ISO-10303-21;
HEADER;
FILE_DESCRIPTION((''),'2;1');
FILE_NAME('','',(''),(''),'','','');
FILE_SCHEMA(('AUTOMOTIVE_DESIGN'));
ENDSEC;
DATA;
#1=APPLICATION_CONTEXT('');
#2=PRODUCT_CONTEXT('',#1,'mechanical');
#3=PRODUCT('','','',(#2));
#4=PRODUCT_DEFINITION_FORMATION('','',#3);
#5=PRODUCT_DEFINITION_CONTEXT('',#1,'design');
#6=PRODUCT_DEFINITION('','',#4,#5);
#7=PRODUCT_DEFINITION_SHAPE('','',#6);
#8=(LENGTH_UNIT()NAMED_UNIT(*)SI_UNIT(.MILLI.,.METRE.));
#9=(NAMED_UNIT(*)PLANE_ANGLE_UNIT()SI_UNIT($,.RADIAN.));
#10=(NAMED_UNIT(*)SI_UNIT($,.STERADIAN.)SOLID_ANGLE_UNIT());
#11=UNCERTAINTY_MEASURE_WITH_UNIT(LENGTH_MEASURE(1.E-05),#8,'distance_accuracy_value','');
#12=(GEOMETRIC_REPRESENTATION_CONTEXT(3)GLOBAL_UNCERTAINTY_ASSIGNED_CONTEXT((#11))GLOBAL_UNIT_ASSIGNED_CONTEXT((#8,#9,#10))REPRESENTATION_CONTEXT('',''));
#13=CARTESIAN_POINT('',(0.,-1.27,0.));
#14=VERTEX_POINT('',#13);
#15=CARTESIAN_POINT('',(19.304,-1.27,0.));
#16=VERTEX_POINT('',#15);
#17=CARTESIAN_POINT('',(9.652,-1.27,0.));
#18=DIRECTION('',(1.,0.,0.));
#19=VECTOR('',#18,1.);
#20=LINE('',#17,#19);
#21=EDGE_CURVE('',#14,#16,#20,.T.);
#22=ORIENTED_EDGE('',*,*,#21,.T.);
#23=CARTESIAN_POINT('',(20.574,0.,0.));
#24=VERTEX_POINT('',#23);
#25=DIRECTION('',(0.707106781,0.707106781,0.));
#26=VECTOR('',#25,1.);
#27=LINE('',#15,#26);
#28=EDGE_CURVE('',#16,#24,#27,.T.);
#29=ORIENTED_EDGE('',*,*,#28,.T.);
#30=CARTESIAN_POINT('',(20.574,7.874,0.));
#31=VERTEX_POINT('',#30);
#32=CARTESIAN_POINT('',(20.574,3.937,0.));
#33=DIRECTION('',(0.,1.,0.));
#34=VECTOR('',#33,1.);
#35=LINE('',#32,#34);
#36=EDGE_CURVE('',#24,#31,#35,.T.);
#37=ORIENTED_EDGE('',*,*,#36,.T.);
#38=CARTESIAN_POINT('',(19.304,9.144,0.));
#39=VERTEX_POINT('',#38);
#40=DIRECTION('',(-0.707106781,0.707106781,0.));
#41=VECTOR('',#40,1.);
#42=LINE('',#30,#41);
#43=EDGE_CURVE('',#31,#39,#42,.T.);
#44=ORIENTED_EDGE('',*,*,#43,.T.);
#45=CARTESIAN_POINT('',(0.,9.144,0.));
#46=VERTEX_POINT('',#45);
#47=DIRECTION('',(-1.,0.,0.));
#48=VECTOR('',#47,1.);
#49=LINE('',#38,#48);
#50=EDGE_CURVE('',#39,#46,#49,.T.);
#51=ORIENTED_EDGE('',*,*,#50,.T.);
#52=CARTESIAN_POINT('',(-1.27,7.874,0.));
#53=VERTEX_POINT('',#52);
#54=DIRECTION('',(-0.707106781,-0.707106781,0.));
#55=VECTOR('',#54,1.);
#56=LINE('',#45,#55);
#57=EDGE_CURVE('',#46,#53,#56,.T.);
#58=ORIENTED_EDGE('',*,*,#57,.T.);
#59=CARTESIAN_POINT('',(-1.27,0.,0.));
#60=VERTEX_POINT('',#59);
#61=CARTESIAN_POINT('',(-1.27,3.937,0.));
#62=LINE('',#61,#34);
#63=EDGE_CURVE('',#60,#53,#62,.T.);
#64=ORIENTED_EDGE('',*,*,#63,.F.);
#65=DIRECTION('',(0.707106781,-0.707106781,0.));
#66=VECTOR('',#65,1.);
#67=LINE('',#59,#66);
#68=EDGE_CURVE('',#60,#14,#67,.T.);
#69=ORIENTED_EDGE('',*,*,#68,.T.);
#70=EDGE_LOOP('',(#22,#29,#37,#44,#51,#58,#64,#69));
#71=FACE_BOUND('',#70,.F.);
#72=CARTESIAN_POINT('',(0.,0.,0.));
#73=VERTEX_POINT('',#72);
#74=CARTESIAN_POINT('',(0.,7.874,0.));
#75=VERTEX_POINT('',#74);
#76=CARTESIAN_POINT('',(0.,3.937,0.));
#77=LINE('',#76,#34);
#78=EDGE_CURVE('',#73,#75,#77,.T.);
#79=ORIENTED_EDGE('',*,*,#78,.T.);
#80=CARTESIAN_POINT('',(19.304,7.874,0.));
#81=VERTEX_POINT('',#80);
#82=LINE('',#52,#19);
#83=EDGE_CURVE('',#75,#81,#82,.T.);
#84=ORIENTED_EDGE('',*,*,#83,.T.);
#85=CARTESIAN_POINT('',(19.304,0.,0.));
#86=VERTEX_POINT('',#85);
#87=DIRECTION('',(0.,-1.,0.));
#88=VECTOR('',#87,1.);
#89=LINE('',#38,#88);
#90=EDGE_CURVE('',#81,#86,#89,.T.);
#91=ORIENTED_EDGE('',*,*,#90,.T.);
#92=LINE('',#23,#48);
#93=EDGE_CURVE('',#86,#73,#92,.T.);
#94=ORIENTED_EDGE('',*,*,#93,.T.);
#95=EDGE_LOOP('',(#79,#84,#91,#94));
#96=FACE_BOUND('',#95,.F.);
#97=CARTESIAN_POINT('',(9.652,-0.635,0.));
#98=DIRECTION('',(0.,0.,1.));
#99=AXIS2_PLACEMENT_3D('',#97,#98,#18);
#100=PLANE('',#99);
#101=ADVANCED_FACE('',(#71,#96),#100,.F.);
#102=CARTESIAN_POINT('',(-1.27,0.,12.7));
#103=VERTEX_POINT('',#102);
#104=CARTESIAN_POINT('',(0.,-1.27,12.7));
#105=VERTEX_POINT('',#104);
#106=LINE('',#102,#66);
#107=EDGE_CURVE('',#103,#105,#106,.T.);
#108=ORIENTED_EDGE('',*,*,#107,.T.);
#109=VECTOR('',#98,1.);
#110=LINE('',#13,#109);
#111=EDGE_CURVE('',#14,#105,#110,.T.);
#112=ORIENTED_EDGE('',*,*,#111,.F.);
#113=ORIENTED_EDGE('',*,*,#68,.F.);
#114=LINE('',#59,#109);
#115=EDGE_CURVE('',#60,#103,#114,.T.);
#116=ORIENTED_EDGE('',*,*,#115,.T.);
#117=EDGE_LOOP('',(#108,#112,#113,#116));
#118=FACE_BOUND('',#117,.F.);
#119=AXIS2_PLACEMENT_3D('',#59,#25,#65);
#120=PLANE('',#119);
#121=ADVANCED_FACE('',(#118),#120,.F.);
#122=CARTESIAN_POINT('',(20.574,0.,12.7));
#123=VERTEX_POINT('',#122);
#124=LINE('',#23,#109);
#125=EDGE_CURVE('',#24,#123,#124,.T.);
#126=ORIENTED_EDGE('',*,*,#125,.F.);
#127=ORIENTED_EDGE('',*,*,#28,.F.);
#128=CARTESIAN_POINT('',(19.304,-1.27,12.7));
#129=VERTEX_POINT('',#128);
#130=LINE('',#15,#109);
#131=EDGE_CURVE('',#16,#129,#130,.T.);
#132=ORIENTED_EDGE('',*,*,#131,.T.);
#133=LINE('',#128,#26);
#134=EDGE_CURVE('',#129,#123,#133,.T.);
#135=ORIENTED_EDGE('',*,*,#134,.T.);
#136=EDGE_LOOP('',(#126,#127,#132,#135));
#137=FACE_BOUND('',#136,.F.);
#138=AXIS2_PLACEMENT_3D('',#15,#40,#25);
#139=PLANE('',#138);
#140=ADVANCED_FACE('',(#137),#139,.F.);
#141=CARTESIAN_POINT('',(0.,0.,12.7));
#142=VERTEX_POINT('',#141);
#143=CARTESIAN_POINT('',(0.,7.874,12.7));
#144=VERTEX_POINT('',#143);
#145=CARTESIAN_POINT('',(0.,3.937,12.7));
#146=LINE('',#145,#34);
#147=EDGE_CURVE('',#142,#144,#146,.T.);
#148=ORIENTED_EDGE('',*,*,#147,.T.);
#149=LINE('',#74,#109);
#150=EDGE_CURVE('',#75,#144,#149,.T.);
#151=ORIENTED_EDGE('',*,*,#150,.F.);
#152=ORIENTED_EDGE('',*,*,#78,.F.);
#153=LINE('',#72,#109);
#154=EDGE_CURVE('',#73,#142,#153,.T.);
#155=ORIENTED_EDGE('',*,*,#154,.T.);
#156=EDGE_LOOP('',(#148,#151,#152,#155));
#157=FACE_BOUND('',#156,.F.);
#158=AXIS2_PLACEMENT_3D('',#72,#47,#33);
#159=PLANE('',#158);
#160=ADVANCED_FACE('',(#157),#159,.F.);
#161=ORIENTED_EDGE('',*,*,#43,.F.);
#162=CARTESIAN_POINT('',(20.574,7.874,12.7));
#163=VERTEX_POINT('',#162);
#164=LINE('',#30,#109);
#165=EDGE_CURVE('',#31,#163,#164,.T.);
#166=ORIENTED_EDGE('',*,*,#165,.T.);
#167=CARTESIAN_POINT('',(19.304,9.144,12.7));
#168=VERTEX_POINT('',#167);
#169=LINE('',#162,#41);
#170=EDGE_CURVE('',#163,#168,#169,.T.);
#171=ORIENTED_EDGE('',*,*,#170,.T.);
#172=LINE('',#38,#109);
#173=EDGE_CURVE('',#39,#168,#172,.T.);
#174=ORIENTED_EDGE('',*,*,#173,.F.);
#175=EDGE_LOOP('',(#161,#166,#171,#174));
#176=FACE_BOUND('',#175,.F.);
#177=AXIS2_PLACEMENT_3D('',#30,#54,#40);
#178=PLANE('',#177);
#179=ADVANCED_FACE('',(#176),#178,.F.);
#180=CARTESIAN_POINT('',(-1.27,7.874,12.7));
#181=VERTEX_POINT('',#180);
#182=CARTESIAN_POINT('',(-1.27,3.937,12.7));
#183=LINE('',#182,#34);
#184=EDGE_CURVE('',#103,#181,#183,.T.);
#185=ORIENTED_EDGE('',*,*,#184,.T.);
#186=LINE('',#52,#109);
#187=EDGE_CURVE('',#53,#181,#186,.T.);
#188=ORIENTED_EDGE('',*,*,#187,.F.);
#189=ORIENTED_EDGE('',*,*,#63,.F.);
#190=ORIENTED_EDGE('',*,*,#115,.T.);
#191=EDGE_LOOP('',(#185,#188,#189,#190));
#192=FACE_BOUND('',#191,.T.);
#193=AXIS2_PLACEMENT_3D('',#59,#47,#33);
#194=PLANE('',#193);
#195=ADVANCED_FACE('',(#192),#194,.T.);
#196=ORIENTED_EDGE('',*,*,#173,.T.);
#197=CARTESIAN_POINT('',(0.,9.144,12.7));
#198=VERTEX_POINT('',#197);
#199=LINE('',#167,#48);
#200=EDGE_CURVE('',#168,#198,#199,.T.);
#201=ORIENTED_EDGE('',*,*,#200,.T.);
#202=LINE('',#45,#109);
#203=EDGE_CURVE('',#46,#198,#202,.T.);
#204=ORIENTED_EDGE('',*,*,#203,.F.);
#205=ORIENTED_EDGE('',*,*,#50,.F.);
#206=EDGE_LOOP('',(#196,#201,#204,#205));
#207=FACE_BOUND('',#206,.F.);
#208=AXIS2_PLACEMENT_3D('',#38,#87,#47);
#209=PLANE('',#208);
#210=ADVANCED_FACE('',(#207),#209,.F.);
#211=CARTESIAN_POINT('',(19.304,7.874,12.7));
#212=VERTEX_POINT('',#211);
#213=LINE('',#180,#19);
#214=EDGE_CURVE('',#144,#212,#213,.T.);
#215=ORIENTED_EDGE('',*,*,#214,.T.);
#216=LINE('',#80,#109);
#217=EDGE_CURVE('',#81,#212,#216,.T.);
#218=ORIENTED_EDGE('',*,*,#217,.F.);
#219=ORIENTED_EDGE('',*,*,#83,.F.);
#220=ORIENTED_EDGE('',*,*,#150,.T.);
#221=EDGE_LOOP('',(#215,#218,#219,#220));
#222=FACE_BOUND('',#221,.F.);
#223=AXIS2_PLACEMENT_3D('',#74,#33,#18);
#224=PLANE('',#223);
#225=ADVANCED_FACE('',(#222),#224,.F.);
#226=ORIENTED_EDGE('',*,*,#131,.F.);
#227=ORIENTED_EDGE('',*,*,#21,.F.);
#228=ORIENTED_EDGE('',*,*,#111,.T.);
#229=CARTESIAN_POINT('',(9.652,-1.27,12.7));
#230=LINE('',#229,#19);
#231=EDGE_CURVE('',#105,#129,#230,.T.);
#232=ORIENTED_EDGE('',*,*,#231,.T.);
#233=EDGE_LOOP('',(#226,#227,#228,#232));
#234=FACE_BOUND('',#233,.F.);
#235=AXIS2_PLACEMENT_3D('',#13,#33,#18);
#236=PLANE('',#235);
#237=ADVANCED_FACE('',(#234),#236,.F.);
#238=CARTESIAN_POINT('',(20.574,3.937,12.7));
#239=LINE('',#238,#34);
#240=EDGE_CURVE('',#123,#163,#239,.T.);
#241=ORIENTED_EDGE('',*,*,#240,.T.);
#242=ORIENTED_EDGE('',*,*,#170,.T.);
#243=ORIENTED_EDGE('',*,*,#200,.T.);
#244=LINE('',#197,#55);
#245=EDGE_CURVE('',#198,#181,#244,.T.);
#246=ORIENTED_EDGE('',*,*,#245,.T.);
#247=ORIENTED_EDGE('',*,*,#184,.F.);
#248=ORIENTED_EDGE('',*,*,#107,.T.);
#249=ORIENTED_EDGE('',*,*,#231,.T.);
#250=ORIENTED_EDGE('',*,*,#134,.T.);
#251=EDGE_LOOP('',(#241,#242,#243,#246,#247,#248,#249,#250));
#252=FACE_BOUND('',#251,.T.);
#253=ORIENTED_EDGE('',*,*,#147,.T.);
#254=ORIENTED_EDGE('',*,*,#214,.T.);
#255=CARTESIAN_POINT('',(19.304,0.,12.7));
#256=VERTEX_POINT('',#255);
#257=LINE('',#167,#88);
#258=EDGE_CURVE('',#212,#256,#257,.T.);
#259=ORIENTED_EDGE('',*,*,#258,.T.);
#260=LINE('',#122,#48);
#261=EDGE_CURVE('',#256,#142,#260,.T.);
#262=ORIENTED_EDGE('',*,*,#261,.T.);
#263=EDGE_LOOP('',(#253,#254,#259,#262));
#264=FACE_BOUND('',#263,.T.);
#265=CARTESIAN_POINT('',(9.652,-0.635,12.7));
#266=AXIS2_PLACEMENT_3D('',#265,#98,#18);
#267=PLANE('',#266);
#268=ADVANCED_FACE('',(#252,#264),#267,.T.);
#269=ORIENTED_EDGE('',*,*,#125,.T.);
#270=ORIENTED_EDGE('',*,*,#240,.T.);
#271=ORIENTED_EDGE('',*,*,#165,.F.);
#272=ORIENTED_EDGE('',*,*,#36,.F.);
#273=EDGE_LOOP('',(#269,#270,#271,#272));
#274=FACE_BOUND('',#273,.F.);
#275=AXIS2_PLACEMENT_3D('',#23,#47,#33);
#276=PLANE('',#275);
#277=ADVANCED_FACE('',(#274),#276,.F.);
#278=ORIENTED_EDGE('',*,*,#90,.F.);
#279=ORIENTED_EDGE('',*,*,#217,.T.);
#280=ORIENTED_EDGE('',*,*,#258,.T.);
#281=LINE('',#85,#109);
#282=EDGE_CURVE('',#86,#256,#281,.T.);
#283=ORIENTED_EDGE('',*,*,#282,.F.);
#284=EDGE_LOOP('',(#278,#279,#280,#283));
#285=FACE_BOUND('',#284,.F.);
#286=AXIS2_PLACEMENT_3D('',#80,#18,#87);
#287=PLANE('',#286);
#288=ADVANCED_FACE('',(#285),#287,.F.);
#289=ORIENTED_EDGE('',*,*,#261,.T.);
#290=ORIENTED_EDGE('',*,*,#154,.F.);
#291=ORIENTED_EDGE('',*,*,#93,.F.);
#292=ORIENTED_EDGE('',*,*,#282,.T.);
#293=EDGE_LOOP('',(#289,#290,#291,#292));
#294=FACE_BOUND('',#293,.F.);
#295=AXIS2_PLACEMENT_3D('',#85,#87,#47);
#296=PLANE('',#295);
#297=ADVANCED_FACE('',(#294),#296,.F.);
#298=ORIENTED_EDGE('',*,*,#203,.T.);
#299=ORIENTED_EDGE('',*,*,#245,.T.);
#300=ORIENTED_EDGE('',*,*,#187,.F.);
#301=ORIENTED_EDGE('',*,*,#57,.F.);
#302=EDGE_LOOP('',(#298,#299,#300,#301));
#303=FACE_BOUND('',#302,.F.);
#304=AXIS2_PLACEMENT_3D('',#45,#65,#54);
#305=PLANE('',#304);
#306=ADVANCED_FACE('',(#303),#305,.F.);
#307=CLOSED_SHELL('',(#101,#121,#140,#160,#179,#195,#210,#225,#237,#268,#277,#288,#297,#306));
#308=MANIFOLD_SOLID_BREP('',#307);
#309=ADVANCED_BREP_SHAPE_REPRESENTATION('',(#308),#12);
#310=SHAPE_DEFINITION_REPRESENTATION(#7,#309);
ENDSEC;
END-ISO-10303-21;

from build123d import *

# Parameters (mm, degrees)
F0_W     = 19.304
F0_H     = 1.27
F0_W_2   = 1.27
F0_H_2   = 7.874
F0_W_3   = 12.5374141614
F0_W_4   = 6.7665858386
F1_DEPTH = 12.7
F2_DEPTH = 12.7


with BuildPart() as f1:
    # F0 (on Top) → F1 (new body)
    with BuildSketch(Plane.XY):
        with Locations((9.652, -0.635)):
            Rectangle(F0_W, F0_H)
        Polygon((20.574, 0), (19.304, 0), (19.304, -1.27), align=None)
        with Locations((19.939, 3.937)):
            Rectangle(F0_W_2, F0_H_2)
        Polygon((19.304, 9.144), (19.304, 7.874), (20.574, 7.874), align=None)
        with Locations((13.0352929193, 8.509)):
            Rectangle(F0_W_3, F0_H)
        with Locations((3.3832929193, 8.509)):
            Rectangle(F0_W_4, F0_H)
        Polygon((-1.27, 7.874), (0, 7.874), (0, 9.144), align=None)
        with Locations((-0.635, 3.937)):
            Rectangle(F0_W_2, F0_H_2)
        Polygon((0, -1.27), (0, 0), (-1.27, 0), align=None)
    extrude(amount=F1_DEPTH)

    # F0 (on Top) → F2 (join)
    with BuildSketch(Plane.XY):
        with Locations((-0.635, 3.937)):
            Rectangle(F0_W_2, F0_H_2)
        with Locations((9.652, -0.635)):
            Rectangle(F0_W, F0_H)
        Polygon((0, -1.27), (0, 0), (-1.27, 0), align=None)
        with Locations((19.939, 3.937)):
            Rectangle(F0_W_2, F0_H_2)
        Polygon((20.574, 0), (19.304, 0), (19.304, -1.27), align=None)
        with Locations((3.3832929193, 8.509)):
            Rectangle(F0_W_4, F0_H)
        Polygon((-1.27, 7.874), (0, 7.874), (0, 9.144), align=None)
        with Locations((13.0352929193, 8.509)):
            Rectangle(F0_W_3, F0_H)
        Polygon((19.304, 9.144), (19.304, 7.874), (20.574, 7.874), align=None)
    extrude(amount=F2_DEPTH)


solid = f1.part
